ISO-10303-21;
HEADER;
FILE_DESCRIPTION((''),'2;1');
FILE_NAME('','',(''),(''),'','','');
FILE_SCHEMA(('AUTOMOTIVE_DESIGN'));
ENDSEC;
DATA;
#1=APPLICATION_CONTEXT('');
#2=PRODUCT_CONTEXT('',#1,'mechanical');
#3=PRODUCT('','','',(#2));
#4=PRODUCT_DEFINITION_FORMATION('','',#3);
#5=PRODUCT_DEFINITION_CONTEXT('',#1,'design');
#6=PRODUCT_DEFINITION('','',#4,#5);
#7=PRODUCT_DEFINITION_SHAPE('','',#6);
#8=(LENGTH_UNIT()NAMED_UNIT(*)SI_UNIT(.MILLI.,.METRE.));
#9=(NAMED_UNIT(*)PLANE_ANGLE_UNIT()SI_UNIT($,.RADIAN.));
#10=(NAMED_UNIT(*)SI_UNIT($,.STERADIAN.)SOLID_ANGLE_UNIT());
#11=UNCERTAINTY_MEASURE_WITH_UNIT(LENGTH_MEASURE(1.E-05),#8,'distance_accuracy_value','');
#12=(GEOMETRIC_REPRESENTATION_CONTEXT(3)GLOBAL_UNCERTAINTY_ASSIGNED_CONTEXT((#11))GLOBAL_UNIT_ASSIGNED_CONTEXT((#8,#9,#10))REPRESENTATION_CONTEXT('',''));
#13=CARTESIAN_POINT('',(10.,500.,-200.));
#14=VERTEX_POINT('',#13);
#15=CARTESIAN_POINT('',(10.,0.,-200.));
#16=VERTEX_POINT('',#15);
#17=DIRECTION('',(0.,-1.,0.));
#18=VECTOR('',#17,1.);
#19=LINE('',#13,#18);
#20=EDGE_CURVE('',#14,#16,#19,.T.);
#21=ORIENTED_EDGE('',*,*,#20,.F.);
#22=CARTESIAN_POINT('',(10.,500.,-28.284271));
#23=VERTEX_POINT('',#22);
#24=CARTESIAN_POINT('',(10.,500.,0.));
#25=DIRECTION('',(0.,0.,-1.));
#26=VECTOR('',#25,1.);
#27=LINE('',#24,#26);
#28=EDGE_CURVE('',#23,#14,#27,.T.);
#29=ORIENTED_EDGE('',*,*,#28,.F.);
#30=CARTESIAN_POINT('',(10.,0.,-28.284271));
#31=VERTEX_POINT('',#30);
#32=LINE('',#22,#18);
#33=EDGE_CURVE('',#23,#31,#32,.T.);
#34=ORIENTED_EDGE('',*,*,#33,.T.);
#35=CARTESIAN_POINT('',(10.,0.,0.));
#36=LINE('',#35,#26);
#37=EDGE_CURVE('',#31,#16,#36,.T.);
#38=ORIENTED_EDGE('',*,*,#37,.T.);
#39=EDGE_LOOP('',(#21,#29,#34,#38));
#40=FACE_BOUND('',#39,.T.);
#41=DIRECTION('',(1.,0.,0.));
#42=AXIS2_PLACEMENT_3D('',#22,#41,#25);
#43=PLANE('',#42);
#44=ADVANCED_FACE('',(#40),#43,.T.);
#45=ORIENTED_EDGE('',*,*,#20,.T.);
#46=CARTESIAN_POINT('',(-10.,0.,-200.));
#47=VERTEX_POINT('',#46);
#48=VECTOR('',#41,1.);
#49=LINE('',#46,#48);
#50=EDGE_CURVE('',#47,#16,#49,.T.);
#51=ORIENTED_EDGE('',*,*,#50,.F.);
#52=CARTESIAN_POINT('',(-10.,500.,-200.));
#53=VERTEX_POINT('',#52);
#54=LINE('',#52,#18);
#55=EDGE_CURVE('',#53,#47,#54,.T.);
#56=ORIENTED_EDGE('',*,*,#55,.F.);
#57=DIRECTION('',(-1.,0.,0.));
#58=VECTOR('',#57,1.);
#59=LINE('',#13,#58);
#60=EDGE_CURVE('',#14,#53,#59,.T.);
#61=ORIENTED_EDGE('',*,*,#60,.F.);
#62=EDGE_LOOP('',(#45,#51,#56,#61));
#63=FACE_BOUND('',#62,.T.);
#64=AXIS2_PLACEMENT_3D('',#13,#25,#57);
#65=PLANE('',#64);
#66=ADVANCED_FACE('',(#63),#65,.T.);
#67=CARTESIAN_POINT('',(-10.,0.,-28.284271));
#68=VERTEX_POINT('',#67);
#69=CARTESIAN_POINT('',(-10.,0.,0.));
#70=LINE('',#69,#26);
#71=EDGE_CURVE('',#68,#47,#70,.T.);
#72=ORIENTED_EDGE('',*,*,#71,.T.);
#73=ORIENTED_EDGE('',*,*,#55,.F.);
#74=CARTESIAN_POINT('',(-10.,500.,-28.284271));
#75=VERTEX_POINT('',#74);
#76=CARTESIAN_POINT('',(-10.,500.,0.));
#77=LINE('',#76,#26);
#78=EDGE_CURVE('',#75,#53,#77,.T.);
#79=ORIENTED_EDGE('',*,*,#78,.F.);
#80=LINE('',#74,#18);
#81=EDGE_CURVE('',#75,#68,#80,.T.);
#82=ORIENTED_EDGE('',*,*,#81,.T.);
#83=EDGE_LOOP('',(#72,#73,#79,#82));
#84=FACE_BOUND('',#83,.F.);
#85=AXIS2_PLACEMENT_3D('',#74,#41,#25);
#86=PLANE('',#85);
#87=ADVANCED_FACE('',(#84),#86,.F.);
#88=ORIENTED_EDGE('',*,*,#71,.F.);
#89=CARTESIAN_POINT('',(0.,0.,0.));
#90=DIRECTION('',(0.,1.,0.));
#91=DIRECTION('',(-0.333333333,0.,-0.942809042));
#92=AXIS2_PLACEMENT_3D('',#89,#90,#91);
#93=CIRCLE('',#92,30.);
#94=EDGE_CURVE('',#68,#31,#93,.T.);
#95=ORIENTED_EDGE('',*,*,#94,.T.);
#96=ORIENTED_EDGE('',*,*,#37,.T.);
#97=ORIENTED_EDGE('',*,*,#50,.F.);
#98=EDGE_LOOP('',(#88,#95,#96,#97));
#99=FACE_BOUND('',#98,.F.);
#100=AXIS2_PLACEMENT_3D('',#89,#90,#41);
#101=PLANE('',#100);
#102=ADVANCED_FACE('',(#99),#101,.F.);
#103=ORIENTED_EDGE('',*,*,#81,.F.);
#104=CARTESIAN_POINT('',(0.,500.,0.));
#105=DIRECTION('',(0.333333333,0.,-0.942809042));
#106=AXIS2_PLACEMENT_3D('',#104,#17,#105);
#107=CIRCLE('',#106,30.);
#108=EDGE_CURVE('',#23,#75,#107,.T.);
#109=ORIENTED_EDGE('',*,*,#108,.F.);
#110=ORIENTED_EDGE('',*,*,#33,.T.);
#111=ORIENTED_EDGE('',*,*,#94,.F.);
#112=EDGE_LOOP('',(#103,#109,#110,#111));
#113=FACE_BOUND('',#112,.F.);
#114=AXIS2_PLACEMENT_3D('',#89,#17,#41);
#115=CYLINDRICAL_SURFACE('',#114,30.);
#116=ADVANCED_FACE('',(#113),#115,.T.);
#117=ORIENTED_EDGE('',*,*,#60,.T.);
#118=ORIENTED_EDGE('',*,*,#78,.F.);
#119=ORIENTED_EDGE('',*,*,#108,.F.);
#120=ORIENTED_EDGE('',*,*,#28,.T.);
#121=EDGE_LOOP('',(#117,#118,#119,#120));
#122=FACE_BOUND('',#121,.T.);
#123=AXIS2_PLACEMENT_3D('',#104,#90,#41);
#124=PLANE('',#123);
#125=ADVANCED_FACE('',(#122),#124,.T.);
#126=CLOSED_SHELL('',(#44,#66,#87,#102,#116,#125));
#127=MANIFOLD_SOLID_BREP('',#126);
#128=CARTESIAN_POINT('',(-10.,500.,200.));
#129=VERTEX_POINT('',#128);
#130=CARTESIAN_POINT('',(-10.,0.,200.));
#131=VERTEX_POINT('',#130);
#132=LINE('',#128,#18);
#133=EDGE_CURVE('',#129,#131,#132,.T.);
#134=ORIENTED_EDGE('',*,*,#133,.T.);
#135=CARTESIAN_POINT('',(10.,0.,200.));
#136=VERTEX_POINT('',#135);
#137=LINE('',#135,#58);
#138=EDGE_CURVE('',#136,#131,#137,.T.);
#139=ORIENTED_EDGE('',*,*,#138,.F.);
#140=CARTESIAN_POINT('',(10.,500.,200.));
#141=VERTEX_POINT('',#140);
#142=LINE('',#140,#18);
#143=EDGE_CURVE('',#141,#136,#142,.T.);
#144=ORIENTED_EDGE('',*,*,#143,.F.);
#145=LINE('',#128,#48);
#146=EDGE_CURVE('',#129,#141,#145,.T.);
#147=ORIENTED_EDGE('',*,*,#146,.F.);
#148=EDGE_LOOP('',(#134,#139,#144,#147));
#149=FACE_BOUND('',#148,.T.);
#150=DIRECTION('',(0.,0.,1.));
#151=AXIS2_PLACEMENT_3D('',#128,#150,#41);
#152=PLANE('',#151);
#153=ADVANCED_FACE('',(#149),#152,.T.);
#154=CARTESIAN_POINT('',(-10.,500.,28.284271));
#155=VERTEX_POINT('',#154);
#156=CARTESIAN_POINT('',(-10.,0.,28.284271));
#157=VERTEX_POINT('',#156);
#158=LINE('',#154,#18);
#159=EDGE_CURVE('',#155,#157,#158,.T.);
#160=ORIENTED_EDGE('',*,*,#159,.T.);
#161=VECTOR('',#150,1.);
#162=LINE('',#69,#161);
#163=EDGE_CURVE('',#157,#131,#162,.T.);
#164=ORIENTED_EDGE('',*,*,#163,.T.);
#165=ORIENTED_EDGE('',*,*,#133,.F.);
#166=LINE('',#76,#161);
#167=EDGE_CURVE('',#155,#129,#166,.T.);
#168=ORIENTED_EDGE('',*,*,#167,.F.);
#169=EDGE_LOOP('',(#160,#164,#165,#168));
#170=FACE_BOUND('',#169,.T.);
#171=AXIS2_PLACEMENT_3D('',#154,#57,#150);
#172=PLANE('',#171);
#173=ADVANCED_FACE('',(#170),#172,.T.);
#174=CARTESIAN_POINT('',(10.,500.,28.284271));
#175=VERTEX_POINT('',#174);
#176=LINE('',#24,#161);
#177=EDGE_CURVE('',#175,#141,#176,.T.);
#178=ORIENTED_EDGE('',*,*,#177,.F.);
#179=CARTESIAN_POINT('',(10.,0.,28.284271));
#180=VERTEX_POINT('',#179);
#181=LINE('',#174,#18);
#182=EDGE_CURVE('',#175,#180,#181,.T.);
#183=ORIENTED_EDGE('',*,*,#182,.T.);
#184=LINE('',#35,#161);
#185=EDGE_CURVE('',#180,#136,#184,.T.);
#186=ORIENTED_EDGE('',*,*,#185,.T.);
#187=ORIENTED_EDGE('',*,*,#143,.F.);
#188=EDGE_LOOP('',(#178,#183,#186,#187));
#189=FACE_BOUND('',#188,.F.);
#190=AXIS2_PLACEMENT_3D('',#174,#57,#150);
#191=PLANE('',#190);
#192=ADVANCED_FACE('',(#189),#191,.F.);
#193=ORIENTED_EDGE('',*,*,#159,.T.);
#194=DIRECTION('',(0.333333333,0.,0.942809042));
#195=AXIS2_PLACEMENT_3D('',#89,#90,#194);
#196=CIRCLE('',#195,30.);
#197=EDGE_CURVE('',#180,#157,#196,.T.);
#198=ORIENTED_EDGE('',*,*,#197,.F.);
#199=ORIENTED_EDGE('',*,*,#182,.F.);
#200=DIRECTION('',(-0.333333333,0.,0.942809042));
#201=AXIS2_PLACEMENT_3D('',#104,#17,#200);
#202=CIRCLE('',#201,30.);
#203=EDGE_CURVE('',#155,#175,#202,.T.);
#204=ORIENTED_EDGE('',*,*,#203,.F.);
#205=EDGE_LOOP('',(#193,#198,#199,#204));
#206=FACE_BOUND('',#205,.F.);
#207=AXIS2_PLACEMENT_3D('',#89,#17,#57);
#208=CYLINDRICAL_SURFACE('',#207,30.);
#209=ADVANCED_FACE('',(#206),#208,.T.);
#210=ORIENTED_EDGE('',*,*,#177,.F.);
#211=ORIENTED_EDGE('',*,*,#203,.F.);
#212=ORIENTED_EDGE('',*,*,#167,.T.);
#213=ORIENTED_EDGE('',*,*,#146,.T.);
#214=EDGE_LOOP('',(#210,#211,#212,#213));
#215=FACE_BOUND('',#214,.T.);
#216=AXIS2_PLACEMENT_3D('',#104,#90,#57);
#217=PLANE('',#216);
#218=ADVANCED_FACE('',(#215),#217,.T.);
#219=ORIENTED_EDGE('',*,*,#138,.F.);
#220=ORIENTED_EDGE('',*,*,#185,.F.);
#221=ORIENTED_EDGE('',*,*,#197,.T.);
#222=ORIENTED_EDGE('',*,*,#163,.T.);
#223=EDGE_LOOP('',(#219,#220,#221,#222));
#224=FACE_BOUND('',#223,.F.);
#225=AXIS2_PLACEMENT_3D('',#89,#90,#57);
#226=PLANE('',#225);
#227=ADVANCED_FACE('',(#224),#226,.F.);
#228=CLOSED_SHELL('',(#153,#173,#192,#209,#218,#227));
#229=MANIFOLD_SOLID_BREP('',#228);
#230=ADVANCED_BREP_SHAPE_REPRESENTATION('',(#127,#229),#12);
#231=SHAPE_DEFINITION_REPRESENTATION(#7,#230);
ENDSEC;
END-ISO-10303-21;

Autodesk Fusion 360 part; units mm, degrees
sketch "Sketch1" plane through (0, 0, 0) normal (0, 1, 0) x (1, 0, 0)
  circle A0 centre (0, 0) radius 30
extrude "Extrude1" add sketch "Sketch1" along normal blind 500 makes body 1
sketch "Sketch2" plane through (0, 500, 0) normal (0, 1, 0) x (-1, 0, 0)
  circle A0 centre (0, 0) radius 30
  line L0 (0, 0) -> (10, 0)
  line L1 (10, 0) -> (10, -200)
  line L2 (10, -200) -> (0, -200)
  line L3 (0, 0) -> (-10, 0)
  line L4 (-10, 0) -> (-10, -200)
  line L5 (-10, -200) -> (0, -200)
extrude "Extrude2" add sketch "Sketch2" against normal blind 500 contours A0 L1 L2 L4 L5 bodies 1
pattern_circular "C-Pattern1" count 2 over 360 about axis through (0, 0, 0) along (0, 1, 0) of bodies 1 makes body 2
